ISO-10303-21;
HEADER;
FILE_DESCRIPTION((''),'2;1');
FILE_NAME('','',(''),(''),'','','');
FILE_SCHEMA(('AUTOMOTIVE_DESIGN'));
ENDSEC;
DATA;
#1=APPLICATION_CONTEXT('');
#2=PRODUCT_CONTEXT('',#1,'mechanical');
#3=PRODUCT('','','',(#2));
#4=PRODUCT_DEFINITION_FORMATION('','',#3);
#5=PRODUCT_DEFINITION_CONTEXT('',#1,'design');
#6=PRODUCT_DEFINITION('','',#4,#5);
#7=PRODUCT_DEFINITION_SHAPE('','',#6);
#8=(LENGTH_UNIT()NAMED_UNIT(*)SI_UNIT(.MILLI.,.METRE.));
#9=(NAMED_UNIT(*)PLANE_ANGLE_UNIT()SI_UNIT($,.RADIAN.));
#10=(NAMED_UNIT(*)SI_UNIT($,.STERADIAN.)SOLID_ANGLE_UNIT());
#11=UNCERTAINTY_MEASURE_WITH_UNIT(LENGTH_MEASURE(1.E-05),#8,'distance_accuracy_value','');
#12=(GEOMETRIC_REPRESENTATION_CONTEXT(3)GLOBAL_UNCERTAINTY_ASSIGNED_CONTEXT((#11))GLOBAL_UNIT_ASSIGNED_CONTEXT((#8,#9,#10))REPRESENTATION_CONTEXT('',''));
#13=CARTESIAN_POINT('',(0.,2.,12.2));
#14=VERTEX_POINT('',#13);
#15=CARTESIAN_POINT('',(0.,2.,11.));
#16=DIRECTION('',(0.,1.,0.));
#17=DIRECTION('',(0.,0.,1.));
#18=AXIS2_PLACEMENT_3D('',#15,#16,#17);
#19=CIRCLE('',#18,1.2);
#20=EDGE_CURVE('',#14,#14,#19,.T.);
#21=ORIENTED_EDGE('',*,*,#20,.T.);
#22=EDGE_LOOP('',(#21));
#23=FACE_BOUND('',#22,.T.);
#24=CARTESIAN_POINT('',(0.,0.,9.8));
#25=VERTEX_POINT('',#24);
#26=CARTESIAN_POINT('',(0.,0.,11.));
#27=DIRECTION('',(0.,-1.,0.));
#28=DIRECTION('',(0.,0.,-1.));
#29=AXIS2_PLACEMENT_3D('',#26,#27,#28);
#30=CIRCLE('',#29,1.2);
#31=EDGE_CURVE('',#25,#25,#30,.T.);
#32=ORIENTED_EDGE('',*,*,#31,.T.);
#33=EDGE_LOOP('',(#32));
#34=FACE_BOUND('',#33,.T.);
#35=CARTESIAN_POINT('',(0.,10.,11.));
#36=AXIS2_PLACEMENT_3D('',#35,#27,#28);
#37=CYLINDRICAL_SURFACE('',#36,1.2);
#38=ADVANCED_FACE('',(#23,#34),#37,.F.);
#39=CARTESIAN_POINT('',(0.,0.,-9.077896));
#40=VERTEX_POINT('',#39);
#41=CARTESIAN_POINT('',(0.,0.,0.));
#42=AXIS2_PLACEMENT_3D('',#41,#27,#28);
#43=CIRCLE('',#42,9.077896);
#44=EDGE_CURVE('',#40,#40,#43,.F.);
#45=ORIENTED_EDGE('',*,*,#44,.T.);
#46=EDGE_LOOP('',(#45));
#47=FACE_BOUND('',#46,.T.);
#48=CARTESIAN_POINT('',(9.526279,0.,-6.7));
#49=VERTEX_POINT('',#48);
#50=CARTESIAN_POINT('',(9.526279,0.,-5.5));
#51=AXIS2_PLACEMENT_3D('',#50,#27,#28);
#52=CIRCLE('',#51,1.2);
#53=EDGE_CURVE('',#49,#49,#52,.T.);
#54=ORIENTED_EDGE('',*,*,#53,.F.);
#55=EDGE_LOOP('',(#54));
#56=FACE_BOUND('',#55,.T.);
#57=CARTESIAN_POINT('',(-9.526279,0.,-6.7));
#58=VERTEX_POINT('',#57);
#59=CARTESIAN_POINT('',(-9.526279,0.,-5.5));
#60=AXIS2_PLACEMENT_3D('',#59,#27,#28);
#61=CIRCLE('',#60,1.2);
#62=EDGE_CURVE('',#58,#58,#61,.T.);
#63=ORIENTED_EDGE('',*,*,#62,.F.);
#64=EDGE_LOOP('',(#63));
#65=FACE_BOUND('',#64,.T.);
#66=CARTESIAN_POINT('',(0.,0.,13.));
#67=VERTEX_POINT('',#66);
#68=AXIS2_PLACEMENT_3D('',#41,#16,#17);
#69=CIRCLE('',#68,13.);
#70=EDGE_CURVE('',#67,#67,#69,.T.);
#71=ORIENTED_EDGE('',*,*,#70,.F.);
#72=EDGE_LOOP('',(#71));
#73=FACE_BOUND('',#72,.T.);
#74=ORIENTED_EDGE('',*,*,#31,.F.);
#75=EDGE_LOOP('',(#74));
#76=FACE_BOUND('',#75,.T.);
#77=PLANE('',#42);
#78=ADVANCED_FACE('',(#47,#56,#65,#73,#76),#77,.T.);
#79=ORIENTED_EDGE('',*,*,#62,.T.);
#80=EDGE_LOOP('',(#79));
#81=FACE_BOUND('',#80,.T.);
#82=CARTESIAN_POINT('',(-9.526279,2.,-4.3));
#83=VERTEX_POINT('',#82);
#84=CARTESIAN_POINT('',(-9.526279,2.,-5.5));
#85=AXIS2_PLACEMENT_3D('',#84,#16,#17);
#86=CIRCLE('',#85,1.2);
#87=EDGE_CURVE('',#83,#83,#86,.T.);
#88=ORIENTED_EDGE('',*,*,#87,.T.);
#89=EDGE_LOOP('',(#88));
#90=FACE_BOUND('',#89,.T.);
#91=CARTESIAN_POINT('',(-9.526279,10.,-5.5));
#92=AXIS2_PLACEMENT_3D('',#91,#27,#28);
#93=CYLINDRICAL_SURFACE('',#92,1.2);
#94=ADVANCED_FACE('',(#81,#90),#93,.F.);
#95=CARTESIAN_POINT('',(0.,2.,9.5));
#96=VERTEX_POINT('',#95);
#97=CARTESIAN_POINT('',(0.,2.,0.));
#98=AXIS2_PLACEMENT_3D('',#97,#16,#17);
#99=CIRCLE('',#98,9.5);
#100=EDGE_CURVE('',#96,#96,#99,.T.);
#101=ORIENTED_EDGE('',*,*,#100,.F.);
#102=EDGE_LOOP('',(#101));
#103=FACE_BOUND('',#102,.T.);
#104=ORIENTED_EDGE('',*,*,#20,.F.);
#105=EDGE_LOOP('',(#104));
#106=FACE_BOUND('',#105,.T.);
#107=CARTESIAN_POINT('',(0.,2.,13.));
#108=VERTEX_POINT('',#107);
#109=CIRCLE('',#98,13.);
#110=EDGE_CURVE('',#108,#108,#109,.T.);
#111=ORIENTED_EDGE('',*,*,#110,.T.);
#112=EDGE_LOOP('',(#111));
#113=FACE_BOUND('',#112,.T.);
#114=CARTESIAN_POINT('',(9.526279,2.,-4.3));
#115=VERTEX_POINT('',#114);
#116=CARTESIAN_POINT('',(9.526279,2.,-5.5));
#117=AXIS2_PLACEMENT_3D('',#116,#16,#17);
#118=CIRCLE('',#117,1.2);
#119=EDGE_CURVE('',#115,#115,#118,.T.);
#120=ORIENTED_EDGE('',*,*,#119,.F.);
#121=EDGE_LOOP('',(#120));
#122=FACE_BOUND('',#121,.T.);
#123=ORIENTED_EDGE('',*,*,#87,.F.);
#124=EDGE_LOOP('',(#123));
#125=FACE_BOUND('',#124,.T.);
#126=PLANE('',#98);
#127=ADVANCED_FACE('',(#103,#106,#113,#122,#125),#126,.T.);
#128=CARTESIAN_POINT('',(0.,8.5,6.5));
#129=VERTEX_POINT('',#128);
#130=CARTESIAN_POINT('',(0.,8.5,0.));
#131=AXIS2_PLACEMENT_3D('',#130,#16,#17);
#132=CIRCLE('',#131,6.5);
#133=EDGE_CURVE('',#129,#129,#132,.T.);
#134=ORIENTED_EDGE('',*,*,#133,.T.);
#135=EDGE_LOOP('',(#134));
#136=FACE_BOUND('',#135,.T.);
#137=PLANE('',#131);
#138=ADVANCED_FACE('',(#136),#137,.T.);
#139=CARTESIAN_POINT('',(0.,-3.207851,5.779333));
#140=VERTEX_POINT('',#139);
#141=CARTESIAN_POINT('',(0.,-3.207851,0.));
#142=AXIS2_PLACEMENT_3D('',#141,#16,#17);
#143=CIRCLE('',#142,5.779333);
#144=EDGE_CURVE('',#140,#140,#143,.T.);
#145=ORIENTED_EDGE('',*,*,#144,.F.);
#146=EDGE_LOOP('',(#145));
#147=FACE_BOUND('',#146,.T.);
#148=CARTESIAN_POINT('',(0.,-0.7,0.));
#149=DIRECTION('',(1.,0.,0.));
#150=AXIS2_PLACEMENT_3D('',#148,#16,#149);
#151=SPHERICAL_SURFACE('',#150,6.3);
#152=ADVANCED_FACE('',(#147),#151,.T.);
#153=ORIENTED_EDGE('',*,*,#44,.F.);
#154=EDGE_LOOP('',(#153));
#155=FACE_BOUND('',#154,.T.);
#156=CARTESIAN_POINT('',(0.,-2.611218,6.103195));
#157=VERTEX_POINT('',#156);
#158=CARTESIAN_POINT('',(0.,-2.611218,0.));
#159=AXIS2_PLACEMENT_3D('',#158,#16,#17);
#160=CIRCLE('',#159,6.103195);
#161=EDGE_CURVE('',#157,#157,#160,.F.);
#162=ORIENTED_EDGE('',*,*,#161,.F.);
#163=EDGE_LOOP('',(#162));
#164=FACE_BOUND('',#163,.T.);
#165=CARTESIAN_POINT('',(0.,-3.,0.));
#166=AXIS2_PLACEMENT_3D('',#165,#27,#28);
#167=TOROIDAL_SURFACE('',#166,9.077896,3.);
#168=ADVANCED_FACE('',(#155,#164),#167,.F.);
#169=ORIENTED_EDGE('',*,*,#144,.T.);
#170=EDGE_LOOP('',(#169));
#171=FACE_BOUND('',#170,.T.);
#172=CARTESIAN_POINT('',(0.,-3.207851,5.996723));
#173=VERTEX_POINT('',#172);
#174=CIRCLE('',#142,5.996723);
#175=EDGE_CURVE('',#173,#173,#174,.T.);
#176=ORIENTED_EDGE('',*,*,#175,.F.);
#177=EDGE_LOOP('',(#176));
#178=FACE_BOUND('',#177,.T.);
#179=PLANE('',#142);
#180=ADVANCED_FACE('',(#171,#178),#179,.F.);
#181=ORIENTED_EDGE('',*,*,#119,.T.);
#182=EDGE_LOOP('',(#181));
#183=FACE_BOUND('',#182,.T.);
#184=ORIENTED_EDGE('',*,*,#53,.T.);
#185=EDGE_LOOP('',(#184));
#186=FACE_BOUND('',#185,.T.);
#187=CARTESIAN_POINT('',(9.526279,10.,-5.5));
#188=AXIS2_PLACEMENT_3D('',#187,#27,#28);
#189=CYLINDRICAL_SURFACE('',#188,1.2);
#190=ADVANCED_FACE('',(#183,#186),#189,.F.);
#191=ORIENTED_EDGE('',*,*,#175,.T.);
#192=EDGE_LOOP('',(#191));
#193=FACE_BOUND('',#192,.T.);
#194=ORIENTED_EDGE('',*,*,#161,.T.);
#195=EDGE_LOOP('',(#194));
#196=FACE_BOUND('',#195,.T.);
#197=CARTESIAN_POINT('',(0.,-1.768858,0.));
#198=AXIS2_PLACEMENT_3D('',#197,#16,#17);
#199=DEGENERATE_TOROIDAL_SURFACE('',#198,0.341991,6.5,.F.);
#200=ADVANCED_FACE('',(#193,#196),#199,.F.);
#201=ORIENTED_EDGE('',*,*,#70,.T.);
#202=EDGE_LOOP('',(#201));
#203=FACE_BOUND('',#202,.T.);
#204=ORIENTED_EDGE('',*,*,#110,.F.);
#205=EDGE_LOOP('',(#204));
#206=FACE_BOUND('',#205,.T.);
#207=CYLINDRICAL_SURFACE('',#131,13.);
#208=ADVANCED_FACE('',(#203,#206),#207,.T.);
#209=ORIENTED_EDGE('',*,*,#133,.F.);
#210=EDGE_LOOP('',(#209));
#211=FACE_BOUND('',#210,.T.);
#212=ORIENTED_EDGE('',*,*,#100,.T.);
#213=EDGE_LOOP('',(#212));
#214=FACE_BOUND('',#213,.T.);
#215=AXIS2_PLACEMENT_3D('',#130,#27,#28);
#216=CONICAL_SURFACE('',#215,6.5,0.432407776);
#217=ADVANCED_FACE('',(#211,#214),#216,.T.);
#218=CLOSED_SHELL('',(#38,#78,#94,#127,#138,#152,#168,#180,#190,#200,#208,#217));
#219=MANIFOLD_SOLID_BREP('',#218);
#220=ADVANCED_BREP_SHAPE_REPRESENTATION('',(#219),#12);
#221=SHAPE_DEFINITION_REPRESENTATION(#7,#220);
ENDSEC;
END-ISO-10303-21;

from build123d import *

# Parameters (mm, degrees)
FILLET1_R          = 3
SKETCH2_R          = 1.2
CUT_EXTRUDE1_DEPTH = 10


with BuildPart() as part:
    # Sketch1 one side → Revolve1 (revolve)
    with BuildSketch(Plane.XY, mode=Mode.PRIVATE) as revolve1_sk:
        with BuildLine():
            Line((6.5, 8.5), (0, 8.5))
            Line((0, 8.5), (0, -7))
            ThreePointArc((0, -7), (3.456192986, -5.967326651), (5.779332516, -3.207850808))
            Line((5.779332516, -3.207850808), (5.996722799, -3.207850808))
            ThreePointArc((5.996722799, -3.207850808), (6.15577987, -1.598658708), (5.9126982, 0))
            Line((5.9126982, 0), (13, 0))
            Line((13, 0), (13, 2))
            Line((13, 2), (9.5, 2))
            Line((9.5, 2), (6.5, 8.5))
        make_face()
    revolve(revolve1_sk.sketch.rotate(Axis((0, 8.5, 0), (0, -1, 0)), 90), axis=Axis((0, 8.5, 0), (0, -1, 0)))

    # Fillet1
    fillet1_edges = [part.edges().sort_by_distance(p)[0] for p in [
        (0, 0, -5.9126982),
    ]]
    fillet(fillet1_edges, radius=FILLET1_R)

    # Sketch2 → Cut-Extrude1 (cut)
    with BuildSketch(Plane.XZ):
        with Locations(Location((0, 11, 0), (0, 0, 270))):
            Circle(SKETCH2_R)
        with Locations(Location((9.526279442, -5.5, 0), (0, 0, 270))):
            Circle(SKETCH2_R)
        with Locations(Location((-9.526279442, -5.5, 0), (0, 0, 270))):
            Circle(SKETCH2_R)
    extrude(amount=-CUT_EXTRUDE1_DEPTH, mode=Mode.SUBTRACT)


solid = part.part
